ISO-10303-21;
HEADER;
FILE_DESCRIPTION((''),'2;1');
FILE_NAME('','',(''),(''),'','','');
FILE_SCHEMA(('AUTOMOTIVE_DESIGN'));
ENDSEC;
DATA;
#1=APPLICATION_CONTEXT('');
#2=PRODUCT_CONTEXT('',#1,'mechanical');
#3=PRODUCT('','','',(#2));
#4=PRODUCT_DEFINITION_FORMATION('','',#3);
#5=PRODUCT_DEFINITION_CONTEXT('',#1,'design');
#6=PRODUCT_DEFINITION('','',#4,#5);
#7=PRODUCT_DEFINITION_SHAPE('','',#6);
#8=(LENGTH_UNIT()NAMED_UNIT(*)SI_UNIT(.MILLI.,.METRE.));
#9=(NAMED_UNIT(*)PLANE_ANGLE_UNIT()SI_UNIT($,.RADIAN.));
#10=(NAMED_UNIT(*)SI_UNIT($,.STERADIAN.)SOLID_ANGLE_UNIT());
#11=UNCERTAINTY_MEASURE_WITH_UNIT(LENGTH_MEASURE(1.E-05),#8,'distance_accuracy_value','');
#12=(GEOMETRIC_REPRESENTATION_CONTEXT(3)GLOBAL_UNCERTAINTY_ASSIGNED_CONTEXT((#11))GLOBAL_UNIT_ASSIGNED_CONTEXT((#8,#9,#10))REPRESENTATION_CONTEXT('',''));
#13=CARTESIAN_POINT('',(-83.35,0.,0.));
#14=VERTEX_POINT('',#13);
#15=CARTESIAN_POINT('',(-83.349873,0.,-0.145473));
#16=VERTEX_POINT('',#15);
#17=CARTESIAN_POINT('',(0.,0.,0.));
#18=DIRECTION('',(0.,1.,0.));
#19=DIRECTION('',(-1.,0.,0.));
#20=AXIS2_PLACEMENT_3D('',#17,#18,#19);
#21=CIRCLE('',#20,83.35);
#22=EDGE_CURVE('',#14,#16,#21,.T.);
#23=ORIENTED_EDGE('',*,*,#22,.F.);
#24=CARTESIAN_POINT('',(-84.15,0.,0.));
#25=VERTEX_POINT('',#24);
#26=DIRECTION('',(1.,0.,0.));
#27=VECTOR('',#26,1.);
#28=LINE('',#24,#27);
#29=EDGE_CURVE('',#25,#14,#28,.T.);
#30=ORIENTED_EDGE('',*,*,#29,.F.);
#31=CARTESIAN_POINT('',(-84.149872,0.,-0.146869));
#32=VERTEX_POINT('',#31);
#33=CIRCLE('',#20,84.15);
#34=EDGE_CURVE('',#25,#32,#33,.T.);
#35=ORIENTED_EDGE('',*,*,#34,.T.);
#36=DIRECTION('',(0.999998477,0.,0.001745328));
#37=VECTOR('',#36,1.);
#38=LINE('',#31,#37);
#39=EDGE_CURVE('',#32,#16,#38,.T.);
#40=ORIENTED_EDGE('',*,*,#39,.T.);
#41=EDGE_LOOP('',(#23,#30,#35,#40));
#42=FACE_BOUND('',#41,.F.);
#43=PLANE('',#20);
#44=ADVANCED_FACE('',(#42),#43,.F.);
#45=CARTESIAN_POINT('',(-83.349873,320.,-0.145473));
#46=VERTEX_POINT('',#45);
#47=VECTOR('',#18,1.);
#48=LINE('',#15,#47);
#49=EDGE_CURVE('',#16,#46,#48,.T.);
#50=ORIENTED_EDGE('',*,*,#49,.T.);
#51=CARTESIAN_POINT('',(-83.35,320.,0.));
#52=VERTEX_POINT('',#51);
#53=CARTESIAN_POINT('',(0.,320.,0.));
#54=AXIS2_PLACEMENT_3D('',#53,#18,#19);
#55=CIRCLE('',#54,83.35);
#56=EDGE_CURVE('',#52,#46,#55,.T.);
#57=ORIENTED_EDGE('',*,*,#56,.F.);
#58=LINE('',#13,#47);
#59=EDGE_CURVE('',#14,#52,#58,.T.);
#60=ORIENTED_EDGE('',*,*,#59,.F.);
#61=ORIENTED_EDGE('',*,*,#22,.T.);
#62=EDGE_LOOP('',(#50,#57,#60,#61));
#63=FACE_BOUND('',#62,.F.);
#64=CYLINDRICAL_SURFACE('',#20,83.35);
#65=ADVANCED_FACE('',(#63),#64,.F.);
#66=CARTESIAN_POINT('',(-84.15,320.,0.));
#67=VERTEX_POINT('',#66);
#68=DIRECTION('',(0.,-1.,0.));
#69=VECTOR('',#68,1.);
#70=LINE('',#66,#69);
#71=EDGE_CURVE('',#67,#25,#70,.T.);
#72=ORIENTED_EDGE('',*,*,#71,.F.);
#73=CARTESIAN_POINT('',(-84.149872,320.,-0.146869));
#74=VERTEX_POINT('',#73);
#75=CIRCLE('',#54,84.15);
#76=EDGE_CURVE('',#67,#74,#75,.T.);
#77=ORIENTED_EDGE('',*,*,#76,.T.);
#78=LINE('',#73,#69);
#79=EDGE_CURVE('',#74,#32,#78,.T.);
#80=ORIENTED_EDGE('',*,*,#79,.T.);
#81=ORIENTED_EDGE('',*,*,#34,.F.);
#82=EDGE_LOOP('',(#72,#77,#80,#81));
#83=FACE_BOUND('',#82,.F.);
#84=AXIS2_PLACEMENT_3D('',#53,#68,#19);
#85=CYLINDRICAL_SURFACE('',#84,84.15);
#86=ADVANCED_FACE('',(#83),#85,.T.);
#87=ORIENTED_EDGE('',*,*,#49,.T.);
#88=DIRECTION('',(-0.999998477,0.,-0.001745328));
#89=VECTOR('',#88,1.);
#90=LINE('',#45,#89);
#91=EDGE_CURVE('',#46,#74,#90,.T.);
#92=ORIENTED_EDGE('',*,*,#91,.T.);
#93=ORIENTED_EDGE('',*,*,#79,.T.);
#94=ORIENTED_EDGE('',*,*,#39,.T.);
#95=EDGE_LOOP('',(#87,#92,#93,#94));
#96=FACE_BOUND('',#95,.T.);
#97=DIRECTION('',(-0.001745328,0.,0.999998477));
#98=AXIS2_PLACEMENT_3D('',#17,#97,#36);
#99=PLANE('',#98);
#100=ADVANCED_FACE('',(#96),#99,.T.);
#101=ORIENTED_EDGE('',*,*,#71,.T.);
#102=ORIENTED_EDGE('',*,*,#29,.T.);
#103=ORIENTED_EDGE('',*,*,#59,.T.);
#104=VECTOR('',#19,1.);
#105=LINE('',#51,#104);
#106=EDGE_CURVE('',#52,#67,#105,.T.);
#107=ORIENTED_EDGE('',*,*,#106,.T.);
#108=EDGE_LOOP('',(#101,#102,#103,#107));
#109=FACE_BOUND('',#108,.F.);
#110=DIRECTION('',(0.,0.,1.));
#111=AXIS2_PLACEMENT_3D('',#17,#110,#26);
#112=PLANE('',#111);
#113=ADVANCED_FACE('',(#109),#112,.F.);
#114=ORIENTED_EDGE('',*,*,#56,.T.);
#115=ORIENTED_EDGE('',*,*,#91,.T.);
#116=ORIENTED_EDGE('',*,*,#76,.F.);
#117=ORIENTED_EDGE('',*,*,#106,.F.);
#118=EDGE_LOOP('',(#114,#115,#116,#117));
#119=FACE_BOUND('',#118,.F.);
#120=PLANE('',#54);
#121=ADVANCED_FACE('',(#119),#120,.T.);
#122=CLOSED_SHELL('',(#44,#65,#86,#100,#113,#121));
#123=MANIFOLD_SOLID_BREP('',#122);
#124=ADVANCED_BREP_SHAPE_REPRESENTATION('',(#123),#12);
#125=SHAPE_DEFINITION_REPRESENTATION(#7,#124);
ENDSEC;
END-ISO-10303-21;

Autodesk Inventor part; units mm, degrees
ref_plane "YZ Plane" through (0, 0, 0) normal (1, 0, 0) x (0, 1, 0)
ref_plane "XZ Plane" through (0, 0, 0) normal (0, 1, 0) x (-1, 0, 0)
ref_plane "XY Plane" through (0, 0, 0) normal (0, 0, 1) x (1, 0, 0)
sketch "Sketch1" plane through (0, 0, 0) normal (0, 0, 1) x (1, 0, 0)
  line L0 (0, 0) -> (0, 320)
  line L1 (-83.35, 320) -> (-84.15, 320)
  line L2 (-84.15, 320) -> (-84.15, 0)
  line L3 (-84.15, 0) -> (-83.35, 0)
  line L4 (-83.35, 0) -> (-83.35, 320)
  line L5 (-83.35, 320) -> (-84.15, 0) construction
  line L6 (-84.15, 320) -> (-83.35, 0) construction
  point P0 (-83.75, 160)
  dimension "d0" = 320
  dimension "d1" = 0.8
  dimension "d2" = 168.3
revolve "Revolution1" add sketch "Sketch1" angle 359.9 about axis through (0, 0, 0) along (0, 1, 0)
equation "\"d1\" = Thickness"
equation "\"BendRadius\" = Thickness"
equation "\"BendReliefWidth\" = Thickness"
equation "\"BendReliefDepth\" = 0.5 * Thickness"
equation "\"CornerReliefSize\" = 4 * Thickness"
equation "\"MinimumRemnant\" = 2 * Thickness"
equation "\"TransitionRadius\" = BendRadius"
equation "\"JacobiRadiusSize\" = BendRadius"
equation "\"GapSize\" = Thickness"
equation "\"Thickness\" = 0.8"
properties part number "MSC 102 ROСKET BODY" material "Stainless Steel"
